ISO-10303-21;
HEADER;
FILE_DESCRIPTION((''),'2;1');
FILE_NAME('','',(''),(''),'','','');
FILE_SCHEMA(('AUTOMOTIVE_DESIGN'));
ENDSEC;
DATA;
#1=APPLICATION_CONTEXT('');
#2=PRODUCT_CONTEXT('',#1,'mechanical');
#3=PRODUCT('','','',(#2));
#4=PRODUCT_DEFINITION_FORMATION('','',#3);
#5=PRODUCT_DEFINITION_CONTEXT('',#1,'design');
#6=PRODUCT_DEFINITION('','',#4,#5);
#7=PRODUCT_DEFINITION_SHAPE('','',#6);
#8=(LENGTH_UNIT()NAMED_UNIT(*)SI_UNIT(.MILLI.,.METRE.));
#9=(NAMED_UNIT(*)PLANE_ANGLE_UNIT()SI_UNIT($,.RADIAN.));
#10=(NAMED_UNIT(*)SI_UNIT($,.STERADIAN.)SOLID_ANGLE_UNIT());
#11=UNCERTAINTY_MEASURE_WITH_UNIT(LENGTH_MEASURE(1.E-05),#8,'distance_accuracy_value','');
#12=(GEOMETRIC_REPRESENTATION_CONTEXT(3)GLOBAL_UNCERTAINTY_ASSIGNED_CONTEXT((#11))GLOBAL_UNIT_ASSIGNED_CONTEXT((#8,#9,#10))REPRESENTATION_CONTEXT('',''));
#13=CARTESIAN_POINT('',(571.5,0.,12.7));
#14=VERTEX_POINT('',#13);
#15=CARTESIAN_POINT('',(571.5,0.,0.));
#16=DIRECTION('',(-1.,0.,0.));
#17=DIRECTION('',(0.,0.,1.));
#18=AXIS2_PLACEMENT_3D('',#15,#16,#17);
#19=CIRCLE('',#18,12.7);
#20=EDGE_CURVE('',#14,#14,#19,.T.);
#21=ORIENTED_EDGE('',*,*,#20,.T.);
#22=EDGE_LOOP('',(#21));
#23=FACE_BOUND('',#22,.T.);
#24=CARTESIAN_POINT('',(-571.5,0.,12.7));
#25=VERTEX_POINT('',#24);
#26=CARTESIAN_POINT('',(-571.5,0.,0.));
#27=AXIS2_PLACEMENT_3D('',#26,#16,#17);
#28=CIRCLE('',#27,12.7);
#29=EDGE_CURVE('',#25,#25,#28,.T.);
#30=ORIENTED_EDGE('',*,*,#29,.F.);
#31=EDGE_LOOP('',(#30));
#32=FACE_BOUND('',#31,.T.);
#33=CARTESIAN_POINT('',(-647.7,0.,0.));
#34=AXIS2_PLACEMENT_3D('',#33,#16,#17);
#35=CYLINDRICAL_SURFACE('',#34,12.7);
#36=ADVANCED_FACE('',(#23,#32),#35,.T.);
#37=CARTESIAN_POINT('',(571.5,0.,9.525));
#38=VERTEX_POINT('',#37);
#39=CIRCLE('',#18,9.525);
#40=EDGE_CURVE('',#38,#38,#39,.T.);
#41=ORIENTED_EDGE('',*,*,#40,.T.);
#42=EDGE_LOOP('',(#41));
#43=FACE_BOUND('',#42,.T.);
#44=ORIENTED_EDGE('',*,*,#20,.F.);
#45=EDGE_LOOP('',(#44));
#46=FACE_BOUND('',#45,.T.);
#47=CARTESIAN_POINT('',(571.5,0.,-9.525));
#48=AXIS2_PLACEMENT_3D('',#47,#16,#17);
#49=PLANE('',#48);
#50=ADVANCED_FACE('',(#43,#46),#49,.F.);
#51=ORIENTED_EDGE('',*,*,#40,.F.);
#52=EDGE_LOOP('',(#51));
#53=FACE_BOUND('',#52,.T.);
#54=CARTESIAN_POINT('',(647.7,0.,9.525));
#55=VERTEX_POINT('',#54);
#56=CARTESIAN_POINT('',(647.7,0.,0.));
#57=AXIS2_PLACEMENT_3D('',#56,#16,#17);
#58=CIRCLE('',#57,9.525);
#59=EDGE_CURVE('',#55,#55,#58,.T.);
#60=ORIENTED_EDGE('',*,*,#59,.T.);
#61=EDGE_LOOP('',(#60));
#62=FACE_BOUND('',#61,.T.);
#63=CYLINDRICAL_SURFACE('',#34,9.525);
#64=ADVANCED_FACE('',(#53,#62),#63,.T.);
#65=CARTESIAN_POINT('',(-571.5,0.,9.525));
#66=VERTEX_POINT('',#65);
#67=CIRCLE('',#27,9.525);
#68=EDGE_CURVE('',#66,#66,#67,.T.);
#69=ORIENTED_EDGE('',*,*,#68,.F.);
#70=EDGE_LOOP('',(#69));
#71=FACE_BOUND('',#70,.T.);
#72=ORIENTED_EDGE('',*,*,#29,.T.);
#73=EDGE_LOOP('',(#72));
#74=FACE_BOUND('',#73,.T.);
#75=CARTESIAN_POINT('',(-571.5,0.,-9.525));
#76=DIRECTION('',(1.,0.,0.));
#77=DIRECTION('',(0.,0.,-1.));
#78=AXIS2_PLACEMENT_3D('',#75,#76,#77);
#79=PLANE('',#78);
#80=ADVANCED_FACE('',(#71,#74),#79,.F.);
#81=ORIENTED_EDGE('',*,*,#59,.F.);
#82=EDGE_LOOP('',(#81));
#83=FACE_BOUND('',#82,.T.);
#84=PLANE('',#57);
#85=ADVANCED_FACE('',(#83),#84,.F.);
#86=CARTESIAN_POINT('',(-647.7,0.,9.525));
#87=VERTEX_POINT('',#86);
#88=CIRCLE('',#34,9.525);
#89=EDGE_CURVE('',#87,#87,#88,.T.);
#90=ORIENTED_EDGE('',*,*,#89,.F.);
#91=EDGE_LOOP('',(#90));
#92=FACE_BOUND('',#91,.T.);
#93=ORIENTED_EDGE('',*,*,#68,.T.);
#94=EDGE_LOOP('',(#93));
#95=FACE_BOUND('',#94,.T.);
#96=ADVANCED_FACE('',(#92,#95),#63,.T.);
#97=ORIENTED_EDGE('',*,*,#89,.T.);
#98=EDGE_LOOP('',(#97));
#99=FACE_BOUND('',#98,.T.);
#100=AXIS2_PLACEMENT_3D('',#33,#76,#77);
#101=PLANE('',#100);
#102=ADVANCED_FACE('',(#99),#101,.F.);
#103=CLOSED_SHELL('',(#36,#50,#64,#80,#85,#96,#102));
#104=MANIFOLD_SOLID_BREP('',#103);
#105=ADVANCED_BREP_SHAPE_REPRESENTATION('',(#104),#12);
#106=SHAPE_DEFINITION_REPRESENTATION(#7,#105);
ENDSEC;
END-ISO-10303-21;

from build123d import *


with BuildPart() as part:
    # Sketch2 → Revolve1 (revolve)
    with BuildSketch(Plane(origin=(0, 0, 0), x_dir=(1, 0, 0), z_dir=(0, 1, 0))):
        Polygon((-647.7, 0), (647.7, 0), (647.7, 9.525), (571.5, 9.525), (571.5, 12.7), (-571.5, 12.7), (-571.5, 9.525), (-647.7, 9.525), align=None)
    revolve(axis=Axis((-647.7, 0, 0), (1, 0, 0)))


solid = part.part
